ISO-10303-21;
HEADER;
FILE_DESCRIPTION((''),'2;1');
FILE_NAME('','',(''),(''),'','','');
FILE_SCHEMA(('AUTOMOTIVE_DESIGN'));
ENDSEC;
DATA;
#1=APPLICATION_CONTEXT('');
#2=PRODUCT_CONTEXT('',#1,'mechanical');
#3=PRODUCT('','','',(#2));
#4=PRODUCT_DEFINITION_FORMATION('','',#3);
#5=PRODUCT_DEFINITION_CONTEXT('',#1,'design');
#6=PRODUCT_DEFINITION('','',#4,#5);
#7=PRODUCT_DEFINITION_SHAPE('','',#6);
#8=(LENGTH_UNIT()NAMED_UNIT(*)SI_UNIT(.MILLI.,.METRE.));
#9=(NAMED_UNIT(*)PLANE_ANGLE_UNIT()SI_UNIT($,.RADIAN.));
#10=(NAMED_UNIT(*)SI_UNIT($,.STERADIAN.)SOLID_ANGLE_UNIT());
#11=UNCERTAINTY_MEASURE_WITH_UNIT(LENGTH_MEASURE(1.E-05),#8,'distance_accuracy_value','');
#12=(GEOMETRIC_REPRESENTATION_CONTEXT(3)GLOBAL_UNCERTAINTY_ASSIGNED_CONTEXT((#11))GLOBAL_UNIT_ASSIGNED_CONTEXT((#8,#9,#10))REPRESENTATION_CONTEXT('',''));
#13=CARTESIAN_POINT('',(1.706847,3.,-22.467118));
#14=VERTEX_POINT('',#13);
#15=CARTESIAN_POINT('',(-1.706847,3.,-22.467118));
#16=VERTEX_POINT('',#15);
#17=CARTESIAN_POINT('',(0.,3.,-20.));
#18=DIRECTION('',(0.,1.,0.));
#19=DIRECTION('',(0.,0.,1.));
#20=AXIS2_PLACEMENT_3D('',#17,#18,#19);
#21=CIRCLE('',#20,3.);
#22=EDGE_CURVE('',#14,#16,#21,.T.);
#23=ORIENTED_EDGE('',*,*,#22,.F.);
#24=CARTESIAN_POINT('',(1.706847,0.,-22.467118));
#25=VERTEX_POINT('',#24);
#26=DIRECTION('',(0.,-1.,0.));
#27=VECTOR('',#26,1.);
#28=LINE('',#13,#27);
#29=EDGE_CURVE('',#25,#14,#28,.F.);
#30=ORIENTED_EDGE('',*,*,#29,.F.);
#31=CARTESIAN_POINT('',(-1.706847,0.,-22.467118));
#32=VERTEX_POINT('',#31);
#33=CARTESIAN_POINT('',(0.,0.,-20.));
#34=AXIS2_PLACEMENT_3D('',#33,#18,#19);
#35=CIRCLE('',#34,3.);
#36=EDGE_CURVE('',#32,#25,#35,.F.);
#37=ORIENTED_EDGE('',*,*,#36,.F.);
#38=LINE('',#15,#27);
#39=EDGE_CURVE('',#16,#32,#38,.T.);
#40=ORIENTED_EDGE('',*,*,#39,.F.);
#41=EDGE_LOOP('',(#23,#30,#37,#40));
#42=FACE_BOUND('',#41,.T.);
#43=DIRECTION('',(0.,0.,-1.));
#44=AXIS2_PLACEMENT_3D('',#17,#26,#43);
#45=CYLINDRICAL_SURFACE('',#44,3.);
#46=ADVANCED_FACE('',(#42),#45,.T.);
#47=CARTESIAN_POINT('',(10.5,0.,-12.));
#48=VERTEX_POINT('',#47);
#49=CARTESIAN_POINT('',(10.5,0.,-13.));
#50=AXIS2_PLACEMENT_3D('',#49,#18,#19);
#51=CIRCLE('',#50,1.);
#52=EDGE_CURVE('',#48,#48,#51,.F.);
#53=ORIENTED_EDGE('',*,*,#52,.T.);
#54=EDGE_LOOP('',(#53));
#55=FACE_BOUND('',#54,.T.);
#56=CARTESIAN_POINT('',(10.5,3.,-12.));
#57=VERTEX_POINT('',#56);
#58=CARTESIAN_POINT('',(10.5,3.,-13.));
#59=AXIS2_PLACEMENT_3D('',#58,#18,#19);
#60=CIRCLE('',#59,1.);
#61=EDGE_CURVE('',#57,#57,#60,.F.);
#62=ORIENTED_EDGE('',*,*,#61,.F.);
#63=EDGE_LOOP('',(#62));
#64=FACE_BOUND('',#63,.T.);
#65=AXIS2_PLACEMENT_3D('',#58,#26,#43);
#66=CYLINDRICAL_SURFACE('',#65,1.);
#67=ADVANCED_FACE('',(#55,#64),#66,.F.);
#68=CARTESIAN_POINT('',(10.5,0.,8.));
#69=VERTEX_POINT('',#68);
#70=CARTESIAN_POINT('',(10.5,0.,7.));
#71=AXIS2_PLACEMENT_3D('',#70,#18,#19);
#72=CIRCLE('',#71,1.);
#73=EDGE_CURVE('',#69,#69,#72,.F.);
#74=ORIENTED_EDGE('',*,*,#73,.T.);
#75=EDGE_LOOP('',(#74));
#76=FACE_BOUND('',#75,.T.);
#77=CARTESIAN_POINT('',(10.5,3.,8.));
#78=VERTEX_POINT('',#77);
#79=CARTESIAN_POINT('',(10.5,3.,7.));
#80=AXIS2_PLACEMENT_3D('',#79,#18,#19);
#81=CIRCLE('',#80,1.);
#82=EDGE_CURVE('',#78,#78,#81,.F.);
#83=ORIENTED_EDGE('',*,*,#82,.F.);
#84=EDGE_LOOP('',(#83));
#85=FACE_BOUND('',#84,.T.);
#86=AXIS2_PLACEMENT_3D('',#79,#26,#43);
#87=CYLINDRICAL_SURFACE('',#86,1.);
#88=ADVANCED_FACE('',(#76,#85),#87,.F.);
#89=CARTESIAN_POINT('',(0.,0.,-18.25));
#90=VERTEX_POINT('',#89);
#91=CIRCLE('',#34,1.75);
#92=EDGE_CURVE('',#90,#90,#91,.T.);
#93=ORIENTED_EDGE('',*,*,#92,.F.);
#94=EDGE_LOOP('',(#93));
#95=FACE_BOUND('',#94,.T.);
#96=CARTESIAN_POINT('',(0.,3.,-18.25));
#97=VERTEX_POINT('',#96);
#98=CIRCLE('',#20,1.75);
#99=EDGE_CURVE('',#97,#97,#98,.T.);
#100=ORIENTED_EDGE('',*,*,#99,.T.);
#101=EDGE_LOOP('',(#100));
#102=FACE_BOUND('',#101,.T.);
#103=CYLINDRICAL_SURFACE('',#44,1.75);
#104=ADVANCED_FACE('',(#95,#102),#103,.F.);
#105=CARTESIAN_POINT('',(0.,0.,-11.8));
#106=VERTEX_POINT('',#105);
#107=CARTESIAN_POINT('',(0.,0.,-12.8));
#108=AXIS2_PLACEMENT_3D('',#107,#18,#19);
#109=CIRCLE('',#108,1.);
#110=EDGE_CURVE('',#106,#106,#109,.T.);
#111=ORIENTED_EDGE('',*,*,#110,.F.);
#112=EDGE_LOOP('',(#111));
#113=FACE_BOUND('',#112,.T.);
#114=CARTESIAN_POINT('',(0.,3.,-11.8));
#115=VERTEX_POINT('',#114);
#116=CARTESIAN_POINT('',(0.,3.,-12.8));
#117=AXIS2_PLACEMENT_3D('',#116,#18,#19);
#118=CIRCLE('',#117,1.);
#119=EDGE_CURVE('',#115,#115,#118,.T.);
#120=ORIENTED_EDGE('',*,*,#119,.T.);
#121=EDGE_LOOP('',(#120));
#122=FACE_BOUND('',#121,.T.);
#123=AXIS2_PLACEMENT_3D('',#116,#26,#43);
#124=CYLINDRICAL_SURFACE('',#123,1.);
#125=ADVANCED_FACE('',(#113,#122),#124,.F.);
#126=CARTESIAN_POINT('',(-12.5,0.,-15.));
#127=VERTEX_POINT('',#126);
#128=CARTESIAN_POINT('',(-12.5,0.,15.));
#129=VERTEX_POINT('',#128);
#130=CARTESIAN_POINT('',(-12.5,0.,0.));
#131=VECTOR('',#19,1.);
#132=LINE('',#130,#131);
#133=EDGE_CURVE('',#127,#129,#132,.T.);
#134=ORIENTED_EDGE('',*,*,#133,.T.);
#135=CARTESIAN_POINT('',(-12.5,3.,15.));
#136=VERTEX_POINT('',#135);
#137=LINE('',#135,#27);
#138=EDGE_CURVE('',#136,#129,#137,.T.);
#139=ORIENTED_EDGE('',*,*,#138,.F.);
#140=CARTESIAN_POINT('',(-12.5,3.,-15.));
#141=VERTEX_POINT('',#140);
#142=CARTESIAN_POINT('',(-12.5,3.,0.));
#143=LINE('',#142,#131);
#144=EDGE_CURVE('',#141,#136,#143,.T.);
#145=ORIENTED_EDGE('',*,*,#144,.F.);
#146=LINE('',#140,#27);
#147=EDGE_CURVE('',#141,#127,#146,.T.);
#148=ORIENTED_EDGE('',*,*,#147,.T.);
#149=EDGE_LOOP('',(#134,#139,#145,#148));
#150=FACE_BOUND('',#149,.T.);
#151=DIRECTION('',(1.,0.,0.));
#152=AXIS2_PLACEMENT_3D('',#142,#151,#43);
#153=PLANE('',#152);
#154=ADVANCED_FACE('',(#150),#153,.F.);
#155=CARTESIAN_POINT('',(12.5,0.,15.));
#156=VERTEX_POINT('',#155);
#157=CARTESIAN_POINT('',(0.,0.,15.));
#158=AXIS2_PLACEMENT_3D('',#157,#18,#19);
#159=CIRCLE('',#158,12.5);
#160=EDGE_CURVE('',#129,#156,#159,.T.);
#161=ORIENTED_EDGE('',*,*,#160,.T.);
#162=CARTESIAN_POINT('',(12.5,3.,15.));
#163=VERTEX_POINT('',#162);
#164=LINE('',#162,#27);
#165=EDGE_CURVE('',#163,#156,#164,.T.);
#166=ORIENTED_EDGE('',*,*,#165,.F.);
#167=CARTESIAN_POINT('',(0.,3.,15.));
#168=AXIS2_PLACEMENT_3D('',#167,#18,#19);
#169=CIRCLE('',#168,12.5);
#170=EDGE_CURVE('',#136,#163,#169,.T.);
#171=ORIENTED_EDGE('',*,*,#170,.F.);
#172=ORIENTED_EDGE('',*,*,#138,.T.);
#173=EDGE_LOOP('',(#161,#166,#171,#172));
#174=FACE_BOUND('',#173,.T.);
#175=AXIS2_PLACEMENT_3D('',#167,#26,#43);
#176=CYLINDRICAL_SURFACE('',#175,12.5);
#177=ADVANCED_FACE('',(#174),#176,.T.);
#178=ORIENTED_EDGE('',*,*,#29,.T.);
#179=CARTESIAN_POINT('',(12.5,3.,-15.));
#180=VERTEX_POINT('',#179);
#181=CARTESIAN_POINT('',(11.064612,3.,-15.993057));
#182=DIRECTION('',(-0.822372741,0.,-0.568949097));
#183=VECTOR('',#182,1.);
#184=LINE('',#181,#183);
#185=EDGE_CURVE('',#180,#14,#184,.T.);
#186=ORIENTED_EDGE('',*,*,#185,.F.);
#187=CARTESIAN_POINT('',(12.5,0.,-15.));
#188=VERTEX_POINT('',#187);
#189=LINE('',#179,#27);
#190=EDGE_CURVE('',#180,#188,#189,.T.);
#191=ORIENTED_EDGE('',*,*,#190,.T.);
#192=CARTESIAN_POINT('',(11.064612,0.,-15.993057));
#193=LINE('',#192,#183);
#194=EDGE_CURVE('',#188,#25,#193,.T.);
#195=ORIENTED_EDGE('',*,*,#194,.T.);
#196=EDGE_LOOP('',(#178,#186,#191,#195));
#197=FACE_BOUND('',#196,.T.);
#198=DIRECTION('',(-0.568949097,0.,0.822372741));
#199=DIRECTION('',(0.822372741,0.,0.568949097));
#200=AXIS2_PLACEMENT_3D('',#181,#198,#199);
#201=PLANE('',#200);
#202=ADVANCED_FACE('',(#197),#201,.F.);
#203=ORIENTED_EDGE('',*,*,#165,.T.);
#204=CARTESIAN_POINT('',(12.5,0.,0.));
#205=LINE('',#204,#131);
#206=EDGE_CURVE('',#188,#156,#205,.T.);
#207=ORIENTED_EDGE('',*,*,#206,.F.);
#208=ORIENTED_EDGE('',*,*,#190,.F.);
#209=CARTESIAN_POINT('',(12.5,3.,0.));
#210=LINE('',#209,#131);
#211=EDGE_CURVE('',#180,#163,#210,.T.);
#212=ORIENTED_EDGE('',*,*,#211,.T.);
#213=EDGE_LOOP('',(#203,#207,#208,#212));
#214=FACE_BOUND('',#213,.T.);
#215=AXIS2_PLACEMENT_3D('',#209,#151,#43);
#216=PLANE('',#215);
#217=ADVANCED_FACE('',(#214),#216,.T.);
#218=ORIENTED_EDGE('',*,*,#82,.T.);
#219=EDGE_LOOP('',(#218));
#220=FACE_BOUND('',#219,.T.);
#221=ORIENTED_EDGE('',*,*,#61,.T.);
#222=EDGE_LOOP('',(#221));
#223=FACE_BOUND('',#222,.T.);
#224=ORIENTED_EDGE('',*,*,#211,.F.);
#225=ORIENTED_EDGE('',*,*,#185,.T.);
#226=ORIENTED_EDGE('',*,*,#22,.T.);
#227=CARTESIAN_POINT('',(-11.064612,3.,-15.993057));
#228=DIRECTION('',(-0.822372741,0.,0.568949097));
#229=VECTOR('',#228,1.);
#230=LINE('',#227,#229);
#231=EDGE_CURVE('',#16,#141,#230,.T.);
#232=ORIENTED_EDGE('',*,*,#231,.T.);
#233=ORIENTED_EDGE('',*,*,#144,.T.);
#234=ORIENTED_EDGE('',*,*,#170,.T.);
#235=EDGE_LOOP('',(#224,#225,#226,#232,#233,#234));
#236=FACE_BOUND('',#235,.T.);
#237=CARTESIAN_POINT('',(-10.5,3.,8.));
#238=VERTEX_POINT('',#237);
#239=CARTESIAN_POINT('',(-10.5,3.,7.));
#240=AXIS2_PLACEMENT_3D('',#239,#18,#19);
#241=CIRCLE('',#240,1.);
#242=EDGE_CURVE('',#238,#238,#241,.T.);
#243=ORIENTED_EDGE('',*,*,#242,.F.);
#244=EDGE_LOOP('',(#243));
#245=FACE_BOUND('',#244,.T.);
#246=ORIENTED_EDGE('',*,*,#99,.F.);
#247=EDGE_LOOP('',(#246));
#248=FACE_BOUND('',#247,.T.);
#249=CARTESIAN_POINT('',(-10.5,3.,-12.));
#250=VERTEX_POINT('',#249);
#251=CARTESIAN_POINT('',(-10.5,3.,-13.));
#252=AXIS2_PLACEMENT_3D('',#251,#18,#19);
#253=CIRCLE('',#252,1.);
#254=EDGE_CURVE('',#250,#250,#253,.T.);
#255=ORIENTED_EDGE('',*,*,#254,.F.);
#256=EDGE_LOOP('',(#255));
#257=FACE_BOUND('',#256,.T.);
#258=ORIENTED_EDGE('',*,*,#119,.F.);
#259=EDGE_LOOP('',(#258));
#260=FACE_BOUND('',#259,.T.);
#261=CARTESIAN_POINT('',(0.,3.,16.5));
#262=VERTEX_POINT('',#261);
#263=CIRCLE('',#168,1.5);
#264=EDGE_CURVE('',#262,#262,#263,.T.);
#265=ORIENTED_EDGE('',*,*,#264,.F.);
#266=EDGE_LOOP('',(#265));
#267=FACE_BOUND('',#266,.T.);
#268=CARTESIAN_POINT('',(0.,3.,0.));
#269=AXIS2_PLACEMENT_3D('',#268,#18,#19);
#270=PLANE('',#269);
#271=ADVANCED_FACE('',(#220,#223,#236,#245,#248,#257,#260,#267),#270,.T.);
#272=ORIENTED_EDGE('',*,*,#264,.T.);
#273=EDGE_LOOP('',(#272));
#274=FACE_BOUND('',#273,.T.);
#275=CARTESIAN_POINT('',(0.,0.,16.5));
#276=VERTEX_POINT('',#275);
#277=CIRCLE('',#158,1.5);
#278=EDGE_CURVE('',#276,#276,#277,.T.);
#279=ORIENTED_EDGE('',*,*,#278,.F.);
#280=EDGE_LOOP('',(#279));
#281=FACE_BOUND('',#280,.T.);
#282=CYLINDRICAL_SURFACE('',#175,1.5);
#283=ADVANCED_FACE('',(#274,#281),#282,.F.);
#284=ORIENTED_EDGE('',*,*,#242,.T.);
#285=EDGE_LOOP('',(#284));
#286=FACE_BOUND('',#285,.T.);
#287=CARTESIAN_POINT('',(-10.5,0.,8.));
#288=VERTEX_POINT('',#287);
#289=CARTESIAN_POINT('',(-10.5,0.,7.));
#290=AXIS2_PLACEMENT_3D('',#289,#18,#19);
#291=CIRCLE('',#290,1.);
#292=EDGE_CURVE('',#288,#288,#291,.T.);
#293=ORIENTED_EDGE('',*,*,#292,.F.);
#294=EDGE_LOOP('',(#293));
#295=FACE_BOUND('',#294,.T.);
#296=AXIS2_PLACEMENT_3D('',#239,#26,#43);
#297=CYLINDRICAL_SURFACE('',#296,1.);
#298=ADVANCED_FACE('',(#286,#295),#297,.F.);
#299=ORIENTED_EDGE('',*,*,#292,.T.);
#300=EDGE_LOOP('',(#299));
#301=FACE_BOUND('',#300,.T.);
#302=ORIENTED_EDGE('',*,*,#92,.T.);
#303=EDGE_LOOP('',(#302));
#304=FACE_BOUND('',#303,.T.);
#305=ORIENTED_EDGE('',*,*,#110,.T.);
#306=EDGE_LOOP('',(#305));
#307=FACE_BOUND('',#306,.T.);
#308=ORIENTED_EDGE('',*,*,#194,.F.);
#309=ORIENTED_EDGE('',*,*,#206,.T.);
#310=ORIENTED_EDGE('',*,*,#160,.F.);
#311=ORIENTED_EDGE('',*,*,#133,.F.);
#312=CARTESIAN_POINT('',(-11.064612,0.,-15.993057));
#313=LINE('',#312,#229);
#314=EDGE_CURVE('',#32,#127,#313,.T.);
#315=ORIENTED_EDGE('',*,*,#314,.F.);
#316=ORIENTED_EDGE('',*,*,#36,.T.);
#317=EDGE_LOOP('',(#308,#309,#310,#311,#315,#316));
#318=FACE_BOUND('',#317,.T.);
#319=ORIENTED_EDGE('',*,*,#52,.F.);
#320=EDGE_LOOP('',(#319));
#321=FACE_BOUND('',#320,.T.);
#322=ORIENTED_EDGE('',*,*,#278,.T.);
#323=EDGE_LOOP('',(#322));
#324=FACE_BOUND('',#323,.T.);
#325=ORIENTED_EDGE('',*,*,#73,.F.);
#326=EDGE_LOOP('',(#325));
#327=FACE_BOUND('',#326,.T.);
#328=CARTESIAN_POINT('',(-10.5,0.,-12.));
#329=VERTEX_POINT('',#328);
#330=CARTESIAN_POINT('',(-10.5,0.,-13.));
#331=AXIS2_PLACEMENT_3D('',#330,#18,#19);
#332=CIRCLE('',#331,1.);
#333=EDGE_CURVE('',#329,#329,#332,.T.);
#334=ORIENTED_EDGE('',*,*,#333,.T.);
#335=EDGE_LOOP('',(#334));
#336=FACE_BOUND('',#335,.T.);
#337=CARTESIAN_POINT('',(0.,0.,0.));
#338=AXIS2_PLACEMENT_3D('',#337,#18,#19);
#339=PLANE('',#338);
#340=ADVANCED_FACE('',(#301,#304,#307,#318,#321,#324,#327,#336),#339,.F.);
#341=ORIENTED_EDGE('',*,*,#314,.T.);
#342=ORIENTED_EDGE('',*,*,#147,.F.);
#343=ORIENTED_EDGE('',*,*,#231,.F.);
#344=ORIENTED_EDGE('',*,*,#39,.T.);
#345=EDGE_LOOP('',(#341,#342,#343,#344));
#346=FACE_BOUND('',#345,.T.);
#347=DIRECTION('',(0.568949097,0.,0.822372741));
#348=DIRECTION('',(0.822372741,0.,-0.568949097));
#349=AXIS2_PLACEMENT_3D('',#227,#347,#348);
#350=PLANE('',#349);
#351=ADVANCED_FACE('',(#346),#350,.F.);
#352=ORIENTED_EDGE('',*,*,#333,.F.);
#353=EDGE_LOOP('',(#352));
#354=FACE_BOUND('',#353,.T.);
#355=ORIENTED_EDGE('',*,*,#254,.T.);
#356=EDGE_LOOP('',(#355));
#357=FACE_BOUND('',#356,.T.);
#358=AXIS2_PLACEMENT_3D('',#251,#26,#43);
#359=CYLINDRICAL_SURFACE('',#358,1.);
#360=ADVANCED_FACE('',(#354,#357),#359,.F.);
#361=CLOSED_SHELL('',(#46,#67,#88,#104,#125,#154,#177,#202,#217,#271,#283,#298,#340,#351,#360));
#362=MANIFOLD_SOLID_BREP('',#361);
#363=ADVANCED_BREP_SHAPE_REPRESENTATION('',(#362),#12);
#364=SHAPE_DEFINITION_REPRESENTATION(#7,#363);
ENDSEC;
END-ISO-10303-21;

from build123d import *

# Parameters (mm, degrees)
SKETCH_1_R      = 1
SKETCH_1_R_2    = 1.5
SKETCH_1_R_3    = 1.75
EXTRUDE_1_DEPTH = 3
FILLET_1_R      = 3


with BuildPart() as part:
    # 草图1 → 凸台-拉伸1 (new body)
    with BuildSketch(Plane(origin=(0, 0, 0), x_dir=(1, 0, 0), z_dir=(0, 1, 0))):
        with BuildLine():
            Line((-12.5, 15), (-12.5, -15))
            ThreePointArc((-12.5, -15), (0, -27.5), (12.5, -15))
            Line((12.5, -15), (12.5, 15))
            Line((12.5, 15), (0, 23.647980836))
            Line((0, 23.647980836), (-12.5, 15))
        make_face()
        with Locations((-10.5, 13)):
            Circle(SKETCH_1_R, mode=Mode.SUBTRACT)
        with Locations((10.5, 13)):
            Circle(SKETCH_1_R, mode=Mode.SUBTRACT)
        with Locations((0, -15)):
            Circle(SKETCH_1_R_2, mode=Mode.SUBTRACT)
        with Locations((-10.5, -7)):
            Circle(SKETCH_1_R, mode=Mode.SUBTRACT)
        with Locations((10.5, -7)):
            Circle(SKETCH_1_R, mode=Mode.SUBTRACT)
        with Locations((0, 12.8)):
            Circle(SKETCH_1_R, mode=Mode.SUBTRACT)
        with Locations((0, 20)):
            Circle(SKETCH_1_R_3, mode=Mode.SUBTRACT)
    extrude(amount=EXTRUDE_1_DEPTH)

    # 圆角1
    fillet_1_edges = [part.edges().sort_by_distance(p)[0] for p in [
        (0, 1.5, -23.647980836),
    ]]
    fillet(fillet_1_edges, radius=FILLET_1_R)


solid = part.part
